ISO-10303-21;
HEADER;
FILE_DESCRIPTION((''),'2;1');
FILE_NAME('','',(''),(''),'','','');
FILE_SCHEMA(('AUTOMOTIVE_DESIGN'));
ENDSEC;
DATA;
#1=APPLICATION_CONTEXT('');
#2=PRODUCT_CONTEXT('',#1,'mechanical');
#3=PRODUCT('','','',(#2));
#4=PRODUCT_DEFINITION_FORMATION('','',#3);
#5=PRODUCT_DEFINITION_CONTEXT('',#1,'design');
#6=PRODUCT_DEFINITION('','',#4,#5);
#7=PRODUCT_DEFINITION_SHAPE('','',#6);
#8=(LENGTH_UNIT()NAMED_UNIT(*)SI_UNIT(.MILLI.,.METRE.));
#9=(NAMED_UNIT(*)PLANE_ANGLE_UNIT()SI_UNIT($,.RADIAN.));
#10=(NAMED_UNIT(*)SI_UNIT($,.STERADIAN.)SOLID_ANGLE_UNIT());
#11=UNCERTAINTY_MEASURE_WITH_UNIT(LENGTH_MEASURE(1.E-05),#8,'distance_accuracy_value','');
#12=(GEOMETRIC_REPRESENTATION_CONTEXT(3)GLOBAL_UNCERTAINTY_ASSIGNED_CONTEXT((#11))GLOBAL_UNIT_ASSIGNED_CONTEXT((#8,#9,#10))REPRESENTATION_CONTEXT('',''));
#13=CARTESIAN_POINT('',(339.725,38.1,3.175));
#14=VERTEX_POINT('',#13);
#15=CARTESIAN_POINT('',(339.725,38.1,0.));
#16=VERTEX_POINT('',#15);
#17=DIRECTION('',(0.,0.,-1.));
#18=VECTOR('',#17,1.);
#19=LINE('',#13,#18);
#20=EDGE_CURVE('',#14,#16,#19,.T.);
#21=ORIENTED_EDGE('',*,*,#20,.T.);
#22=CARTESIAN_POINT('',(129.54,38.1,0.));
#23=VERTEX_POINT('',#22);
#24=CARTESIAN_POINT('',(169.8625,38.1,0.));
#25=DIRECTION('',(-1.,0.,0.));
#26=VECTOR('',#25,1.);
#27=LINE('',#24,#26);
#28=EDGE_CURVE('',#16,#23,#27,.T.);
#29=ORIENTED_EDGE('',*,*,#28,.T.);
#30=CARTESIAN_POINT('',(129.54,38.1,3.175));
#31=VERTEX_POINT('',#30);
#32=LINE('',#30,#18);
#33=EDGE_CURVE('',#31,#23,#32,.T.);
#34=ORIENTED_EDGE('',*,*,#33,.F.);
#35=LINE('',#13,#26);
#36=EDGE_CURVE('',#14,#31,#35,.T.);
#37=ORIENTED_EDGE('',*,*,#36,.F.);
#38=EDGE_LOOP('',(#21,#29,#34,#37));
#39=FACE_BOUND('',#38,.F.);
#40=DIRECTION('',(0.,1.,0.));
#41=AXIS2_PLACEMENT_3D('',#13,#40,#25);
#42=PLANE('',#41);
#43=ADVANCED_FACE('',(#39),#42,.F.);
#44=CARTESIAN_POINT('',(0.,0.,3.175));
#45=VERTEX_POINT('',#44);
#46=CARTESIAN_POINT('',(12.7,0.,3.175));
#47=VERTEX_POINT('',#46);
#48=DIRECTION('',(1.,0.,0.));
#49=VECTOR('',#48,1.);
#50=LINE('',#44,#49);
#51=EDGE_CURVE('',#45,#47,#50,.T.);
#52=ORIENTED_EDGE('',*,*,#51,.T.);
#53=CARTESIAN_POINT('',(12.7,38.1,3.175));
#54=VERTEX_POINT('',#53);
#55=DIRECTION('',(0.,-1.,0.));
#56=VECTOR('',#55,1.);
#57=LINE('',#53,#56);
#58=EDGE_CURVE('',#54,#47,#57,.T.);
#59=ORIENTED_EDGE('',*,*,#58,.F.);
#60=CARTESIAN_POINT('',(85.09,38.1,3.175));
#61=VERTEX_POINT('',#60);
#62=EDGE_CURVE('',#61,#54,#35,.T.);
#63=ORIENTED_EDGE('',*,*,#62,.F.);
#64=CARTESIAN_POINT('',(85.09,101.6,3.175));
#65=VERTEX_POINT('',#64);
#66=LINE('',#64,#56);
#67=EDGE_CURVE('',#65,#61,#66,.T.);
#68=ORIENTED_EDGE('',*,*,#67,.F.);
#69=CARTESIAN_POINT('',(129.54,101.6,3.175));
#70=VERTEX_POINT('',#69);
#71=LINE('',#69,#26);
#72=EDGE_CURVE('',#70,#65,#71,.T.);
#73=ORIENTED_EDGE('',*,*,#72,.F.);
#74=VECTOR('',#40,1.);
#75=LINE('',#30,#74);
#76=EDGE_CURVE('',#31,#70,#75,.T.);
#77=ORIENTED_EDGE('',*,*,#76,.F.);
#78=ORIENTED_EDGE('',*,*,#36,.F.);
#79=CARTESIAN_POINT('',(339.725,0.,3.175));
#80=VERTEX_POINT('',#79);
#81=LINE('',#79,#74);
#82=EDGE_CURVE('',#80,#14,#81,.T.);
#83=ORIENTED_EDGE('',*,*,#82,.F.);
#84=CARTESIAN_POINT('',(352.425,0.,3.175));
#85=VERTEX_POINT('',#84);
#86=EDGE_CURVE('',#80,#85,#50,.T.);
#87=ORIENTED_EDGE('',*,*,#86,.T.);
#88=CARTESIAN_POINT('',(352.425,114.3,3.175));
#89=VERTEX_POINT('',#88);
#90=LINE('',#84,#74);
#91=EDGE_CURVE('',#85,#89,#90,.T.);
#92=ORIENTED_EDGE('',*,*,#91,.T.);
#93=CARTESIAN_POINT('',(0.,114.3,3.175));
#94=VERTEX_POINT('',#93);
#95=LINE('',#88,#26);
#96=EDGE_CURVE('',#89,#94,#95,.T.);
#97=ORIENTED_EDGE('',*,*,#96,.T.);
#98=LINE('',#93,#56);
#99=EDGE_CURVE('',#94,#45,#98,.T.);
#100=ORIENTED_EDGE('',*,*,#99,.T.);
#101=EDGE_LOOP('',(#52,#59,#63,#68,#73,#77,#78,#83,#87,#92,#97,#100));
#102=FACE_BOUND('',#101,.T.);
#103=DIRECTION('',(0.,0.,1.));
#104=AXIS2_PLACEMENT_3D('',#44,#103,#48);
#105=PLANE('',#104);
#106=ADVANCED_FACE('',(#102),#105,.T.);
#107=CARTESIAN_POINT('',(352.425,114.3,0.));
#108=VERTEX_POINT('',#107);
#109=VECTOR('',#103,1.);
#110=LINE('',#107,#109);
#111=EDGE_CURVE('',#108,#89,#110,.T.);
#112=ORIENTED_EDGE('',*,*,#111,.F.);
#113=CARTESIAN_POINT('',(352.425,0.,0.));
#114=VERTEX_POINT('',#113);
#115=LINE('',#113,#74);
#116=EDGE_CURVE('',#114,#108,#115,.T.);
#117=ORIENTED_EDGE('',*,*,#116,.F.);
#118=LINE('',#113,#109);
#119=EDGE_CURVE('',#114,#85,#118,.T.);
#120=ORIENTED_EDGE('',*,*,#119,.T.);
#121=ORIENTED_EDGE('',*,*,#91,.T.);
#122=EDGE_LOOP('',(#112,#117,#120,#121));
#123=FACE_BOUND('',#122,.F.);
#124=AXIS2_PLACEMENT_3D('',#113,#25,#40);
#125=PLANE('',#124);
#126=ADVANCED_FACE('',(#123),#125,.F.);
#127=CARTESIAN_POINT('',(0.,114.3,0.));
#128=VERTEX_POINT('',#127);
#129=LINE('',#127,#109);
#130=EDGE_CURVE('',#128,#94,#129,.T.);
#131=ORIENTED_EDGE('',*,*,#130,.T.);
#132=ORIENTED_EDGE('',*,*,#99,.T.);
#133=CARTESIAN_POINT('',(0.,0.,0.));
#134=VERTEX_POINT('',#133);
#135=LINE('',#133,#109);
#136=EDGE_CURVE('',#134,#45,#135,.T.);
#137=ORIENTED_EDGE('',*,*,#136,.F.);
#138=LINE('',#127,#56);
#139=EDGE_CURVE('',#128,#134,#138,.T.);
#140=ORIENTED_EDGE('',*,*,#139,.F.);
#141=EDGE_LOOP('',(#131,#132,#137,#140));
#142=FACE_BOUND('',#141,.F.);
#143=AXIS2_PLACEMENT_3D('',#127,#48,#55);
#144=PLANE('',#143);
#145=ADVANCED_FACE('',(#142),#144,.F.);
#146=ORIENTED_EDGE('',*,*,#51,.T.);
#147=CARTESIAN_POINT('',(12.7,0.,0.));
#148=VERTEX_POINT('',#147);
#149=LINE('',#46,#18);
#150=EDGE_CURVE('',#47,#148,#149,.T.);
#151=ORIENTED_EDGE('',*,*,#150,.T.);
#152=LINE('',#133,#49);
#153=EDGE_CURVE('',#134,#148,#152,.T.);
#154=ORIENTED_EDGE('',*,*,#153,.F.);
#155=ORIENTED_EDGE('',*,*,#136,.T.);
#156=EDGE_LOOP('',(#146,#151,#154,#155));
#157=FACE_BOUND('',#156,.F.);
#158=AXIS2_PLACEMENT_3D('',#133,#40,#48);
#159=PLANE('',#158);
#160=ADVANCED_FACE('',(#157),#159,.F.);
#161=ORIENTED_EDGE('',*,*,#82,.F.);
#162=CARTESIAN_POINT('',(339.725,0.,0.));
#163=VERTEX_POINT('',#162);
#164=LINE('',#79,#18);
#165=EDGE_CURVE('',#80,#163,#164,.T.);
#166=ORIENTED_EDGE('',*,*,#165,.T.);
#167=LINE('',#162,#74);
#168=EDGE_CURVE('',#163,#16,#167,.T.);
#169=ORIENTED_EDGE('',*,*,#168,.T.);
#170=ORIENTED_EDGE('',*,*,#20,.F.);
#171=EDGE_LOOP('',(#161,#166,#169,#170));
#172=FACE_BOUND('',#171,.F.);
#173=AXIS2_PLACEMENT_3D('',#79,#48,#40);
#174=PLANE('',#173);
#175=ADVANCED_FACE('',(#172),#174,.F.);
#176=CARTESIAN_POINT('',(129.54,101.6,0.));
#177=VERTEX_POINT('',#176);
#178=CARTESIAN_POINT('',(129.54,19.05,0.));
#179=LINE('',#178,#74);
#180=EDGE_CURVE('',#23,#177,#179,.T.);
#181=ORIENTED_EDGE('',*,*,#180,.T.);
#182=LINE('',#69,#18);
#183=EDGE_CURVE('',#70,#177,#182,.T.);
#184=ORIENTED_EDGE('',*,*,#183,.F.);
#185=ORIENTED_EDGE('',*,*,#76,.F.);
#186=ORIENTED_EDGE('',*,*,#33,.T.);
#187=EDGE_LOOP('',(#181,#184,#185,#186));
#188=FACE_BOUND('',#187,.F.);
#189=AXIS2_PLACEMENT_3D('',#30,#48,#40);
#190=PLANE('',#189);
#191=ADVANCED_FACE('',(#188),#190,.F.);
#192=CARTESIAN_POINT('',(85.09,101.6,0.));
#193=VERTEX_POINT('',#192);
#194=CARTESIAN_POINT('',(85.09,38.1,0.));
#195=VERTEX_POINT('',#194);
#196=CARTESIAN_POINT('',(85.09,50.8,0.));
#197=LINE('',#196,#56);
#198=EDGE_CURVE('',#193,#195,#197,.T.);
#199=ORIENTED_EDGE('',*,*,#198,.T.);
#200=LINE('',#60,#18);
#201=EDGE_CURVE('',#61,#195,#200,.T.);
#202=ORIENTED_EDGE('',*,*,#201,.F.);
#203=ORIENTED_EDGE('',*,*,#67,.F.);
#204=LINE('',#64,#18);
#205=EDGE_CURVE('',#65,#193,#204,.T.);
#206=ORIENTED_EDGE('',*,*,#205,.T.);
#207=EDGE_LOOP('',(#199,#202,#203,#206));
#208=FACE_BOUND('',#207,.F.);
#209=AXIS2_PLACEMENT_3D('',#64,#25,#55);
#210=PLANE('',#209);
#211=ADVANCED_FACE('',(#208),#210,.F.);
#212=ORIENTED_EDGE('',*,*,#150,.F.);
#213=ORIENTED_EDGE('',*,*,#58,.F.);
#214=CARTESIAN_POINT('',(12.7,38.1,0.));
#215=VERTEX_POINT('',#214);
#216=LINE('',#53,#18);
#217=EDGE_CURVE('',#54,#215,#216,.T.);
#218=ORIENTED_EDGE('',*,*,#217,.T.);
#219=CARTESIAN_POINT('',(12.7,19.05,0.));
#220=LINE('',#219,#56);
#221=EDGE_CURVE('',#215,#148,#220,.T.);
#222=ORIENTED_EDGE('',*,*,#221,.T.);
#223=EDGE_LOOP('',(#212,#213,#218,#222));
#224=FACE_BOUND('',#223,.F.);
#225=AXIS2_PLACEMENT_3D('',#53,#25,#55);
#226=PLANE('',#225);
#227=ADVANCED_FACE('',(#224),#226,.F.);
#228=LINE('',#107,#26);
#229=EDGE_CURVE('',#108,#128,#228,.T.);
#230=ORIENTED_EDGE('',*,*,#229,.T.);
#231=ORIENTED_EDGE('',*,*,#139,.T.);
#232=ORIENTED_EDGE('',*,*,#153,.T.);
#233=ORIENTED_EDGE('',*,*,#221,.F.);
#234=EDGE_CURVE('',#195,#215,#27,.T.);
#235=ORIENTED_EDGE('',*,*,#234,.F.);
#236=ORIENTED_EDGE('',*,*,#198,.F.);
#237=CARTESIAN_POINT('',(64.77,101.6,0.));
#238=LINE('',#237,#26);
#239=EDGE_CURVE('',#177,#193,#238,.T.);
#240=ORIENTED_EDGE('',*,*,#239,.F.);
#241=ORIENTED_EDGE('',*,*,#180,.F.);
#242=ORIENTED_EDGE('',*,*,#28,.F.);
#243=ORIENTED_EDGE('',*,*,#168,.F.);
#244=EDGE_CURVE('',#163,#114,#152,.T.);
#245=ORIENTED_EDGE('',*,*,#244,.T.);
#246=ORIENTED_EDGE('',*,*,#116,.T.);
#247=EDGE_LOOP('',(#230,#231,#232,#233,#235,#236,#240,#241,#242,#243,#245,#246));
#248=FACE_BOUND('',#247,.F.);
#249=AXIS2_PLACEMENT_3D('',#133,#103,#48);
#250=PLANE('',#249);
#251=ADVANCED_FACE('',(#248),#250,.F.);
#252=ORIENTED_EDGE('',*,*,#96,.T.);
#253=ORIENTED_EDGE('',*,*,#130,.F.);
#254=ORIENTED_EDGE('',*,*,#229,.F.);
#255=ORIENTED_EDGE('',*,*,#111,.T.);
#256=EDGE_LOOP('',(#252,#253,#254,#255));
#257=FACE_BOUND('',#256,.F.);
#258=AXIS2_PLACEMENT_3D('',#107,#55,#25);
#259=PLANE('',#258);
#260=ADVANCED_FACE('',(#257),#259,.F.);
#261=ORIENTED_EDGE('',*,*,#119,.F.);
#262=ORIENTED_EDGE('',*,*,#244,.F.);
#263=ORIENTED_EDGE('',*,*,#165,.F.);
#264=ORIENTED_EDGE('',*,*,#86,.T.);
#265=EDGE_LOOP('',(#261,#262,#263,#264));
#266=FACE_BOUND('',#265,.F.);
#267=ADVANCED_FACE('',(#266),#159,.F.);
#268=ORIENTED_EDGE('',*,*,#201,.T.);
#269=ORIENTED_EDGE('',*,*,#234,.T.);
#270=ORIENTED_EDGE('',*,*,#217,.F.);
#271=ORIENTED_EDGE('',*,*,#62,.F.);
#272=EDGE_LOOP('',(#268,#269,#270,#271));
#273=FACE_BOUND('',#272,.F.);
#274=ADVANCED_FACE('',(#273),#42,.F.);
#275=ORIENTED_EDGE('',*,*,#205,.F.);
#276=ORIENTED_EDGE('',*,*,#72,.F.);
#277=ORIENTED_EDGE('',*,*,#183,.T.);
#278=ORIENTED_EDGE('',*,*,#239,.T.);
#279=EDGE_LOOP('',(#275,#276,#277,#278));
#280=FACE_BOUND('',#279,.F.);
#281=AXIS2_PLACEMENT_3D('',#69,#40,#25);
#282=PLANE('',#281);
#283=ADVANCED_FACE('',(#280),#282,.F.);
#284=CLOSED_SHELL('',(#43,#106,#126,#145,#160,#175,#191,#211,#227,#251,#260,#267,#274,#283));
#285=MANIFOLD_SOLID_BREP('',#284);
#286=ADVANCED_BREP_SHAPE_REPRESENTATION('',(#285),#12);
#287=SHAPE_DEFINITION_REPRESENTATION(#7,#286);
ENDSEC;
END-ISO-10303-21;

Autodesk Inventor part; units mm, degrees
ref_plane "YZ Plane" through (0, 0, 0) normal (1, 0, 0) x (0, 1, 0)
ref_plane "XZ Plane" through (0, 0, 0) normal (0, 1, 0) x (-1, 0, 0)
ref_plane "XY Plane" through (0, 0, 0) normal (0, 0, 1) x (1, 0, 0)
sketch "Sketch1" plane through (0, 0, 0) normal (0, 0, 1) x (1, 0, 0)
  line L0 (0, 0) -> (352.425, 0)
  line L1 (352.425, 0) -> (352.425, 114.3)
  line L2 (352.425, 114.3) -> (0, 114.3)
  line L3 (0, 114.3) -> (0, 0)
  dimension "d0" = 352.425
  dimension "d1" = 114.3
extrude "Extrusion1" add sketch "Sketch1" along normal blind 3.175
sketch "Sketch2" plane through (0, 0, 3.175) normal (0, 0, 1) x (1, 0, 0)
  line L0 (12.7, 0) -> (339.725, 0)
  line L1 (339.725, 0) -> (339.725, 38.1)
  line L2 (339.725, 38.1) -> (12.7, 38.1)
  line L3 (12.7, 38.1) -> (12.7, 0)
  line L4 (0, 114.3) -> (0, 0) projected
  line L5 (352.425, 0) -> (352.425, 114.3) projected
  dimension "d4" = 12.7
  dimension "d5" = 12.7
  dimension "d6" = 38.1
extrude "Extrusion2" cut sketch "Sketch2" against normal blind 25.4
sketch "Sketch3" plane through (0, 0, 3.175) normal (0, 0, 1) x (1, 0, 0)
  line L0 (339.725, 38.1) -> (12.7, 38.1) projected
  line L1 (85.09, 38.1) -> (129.54, 38.1)
  line L2 (129.54, 38.1) -> (129.54, 101.6)
  line L3 (129.54, 101.6) -> (85.09, 101.6)
  line L4 (85.09, 101.6) -> (85.09, 38.1)
  point P0 (0, 0)
  dimension "d9" = 63.5
  dimension "d10" = 72.39
  dimension "d11" = 44.45
extrude "Extrusion3" cut sketch "Sketch3" against normal blind 25.4
properties part number "SmallWall"
